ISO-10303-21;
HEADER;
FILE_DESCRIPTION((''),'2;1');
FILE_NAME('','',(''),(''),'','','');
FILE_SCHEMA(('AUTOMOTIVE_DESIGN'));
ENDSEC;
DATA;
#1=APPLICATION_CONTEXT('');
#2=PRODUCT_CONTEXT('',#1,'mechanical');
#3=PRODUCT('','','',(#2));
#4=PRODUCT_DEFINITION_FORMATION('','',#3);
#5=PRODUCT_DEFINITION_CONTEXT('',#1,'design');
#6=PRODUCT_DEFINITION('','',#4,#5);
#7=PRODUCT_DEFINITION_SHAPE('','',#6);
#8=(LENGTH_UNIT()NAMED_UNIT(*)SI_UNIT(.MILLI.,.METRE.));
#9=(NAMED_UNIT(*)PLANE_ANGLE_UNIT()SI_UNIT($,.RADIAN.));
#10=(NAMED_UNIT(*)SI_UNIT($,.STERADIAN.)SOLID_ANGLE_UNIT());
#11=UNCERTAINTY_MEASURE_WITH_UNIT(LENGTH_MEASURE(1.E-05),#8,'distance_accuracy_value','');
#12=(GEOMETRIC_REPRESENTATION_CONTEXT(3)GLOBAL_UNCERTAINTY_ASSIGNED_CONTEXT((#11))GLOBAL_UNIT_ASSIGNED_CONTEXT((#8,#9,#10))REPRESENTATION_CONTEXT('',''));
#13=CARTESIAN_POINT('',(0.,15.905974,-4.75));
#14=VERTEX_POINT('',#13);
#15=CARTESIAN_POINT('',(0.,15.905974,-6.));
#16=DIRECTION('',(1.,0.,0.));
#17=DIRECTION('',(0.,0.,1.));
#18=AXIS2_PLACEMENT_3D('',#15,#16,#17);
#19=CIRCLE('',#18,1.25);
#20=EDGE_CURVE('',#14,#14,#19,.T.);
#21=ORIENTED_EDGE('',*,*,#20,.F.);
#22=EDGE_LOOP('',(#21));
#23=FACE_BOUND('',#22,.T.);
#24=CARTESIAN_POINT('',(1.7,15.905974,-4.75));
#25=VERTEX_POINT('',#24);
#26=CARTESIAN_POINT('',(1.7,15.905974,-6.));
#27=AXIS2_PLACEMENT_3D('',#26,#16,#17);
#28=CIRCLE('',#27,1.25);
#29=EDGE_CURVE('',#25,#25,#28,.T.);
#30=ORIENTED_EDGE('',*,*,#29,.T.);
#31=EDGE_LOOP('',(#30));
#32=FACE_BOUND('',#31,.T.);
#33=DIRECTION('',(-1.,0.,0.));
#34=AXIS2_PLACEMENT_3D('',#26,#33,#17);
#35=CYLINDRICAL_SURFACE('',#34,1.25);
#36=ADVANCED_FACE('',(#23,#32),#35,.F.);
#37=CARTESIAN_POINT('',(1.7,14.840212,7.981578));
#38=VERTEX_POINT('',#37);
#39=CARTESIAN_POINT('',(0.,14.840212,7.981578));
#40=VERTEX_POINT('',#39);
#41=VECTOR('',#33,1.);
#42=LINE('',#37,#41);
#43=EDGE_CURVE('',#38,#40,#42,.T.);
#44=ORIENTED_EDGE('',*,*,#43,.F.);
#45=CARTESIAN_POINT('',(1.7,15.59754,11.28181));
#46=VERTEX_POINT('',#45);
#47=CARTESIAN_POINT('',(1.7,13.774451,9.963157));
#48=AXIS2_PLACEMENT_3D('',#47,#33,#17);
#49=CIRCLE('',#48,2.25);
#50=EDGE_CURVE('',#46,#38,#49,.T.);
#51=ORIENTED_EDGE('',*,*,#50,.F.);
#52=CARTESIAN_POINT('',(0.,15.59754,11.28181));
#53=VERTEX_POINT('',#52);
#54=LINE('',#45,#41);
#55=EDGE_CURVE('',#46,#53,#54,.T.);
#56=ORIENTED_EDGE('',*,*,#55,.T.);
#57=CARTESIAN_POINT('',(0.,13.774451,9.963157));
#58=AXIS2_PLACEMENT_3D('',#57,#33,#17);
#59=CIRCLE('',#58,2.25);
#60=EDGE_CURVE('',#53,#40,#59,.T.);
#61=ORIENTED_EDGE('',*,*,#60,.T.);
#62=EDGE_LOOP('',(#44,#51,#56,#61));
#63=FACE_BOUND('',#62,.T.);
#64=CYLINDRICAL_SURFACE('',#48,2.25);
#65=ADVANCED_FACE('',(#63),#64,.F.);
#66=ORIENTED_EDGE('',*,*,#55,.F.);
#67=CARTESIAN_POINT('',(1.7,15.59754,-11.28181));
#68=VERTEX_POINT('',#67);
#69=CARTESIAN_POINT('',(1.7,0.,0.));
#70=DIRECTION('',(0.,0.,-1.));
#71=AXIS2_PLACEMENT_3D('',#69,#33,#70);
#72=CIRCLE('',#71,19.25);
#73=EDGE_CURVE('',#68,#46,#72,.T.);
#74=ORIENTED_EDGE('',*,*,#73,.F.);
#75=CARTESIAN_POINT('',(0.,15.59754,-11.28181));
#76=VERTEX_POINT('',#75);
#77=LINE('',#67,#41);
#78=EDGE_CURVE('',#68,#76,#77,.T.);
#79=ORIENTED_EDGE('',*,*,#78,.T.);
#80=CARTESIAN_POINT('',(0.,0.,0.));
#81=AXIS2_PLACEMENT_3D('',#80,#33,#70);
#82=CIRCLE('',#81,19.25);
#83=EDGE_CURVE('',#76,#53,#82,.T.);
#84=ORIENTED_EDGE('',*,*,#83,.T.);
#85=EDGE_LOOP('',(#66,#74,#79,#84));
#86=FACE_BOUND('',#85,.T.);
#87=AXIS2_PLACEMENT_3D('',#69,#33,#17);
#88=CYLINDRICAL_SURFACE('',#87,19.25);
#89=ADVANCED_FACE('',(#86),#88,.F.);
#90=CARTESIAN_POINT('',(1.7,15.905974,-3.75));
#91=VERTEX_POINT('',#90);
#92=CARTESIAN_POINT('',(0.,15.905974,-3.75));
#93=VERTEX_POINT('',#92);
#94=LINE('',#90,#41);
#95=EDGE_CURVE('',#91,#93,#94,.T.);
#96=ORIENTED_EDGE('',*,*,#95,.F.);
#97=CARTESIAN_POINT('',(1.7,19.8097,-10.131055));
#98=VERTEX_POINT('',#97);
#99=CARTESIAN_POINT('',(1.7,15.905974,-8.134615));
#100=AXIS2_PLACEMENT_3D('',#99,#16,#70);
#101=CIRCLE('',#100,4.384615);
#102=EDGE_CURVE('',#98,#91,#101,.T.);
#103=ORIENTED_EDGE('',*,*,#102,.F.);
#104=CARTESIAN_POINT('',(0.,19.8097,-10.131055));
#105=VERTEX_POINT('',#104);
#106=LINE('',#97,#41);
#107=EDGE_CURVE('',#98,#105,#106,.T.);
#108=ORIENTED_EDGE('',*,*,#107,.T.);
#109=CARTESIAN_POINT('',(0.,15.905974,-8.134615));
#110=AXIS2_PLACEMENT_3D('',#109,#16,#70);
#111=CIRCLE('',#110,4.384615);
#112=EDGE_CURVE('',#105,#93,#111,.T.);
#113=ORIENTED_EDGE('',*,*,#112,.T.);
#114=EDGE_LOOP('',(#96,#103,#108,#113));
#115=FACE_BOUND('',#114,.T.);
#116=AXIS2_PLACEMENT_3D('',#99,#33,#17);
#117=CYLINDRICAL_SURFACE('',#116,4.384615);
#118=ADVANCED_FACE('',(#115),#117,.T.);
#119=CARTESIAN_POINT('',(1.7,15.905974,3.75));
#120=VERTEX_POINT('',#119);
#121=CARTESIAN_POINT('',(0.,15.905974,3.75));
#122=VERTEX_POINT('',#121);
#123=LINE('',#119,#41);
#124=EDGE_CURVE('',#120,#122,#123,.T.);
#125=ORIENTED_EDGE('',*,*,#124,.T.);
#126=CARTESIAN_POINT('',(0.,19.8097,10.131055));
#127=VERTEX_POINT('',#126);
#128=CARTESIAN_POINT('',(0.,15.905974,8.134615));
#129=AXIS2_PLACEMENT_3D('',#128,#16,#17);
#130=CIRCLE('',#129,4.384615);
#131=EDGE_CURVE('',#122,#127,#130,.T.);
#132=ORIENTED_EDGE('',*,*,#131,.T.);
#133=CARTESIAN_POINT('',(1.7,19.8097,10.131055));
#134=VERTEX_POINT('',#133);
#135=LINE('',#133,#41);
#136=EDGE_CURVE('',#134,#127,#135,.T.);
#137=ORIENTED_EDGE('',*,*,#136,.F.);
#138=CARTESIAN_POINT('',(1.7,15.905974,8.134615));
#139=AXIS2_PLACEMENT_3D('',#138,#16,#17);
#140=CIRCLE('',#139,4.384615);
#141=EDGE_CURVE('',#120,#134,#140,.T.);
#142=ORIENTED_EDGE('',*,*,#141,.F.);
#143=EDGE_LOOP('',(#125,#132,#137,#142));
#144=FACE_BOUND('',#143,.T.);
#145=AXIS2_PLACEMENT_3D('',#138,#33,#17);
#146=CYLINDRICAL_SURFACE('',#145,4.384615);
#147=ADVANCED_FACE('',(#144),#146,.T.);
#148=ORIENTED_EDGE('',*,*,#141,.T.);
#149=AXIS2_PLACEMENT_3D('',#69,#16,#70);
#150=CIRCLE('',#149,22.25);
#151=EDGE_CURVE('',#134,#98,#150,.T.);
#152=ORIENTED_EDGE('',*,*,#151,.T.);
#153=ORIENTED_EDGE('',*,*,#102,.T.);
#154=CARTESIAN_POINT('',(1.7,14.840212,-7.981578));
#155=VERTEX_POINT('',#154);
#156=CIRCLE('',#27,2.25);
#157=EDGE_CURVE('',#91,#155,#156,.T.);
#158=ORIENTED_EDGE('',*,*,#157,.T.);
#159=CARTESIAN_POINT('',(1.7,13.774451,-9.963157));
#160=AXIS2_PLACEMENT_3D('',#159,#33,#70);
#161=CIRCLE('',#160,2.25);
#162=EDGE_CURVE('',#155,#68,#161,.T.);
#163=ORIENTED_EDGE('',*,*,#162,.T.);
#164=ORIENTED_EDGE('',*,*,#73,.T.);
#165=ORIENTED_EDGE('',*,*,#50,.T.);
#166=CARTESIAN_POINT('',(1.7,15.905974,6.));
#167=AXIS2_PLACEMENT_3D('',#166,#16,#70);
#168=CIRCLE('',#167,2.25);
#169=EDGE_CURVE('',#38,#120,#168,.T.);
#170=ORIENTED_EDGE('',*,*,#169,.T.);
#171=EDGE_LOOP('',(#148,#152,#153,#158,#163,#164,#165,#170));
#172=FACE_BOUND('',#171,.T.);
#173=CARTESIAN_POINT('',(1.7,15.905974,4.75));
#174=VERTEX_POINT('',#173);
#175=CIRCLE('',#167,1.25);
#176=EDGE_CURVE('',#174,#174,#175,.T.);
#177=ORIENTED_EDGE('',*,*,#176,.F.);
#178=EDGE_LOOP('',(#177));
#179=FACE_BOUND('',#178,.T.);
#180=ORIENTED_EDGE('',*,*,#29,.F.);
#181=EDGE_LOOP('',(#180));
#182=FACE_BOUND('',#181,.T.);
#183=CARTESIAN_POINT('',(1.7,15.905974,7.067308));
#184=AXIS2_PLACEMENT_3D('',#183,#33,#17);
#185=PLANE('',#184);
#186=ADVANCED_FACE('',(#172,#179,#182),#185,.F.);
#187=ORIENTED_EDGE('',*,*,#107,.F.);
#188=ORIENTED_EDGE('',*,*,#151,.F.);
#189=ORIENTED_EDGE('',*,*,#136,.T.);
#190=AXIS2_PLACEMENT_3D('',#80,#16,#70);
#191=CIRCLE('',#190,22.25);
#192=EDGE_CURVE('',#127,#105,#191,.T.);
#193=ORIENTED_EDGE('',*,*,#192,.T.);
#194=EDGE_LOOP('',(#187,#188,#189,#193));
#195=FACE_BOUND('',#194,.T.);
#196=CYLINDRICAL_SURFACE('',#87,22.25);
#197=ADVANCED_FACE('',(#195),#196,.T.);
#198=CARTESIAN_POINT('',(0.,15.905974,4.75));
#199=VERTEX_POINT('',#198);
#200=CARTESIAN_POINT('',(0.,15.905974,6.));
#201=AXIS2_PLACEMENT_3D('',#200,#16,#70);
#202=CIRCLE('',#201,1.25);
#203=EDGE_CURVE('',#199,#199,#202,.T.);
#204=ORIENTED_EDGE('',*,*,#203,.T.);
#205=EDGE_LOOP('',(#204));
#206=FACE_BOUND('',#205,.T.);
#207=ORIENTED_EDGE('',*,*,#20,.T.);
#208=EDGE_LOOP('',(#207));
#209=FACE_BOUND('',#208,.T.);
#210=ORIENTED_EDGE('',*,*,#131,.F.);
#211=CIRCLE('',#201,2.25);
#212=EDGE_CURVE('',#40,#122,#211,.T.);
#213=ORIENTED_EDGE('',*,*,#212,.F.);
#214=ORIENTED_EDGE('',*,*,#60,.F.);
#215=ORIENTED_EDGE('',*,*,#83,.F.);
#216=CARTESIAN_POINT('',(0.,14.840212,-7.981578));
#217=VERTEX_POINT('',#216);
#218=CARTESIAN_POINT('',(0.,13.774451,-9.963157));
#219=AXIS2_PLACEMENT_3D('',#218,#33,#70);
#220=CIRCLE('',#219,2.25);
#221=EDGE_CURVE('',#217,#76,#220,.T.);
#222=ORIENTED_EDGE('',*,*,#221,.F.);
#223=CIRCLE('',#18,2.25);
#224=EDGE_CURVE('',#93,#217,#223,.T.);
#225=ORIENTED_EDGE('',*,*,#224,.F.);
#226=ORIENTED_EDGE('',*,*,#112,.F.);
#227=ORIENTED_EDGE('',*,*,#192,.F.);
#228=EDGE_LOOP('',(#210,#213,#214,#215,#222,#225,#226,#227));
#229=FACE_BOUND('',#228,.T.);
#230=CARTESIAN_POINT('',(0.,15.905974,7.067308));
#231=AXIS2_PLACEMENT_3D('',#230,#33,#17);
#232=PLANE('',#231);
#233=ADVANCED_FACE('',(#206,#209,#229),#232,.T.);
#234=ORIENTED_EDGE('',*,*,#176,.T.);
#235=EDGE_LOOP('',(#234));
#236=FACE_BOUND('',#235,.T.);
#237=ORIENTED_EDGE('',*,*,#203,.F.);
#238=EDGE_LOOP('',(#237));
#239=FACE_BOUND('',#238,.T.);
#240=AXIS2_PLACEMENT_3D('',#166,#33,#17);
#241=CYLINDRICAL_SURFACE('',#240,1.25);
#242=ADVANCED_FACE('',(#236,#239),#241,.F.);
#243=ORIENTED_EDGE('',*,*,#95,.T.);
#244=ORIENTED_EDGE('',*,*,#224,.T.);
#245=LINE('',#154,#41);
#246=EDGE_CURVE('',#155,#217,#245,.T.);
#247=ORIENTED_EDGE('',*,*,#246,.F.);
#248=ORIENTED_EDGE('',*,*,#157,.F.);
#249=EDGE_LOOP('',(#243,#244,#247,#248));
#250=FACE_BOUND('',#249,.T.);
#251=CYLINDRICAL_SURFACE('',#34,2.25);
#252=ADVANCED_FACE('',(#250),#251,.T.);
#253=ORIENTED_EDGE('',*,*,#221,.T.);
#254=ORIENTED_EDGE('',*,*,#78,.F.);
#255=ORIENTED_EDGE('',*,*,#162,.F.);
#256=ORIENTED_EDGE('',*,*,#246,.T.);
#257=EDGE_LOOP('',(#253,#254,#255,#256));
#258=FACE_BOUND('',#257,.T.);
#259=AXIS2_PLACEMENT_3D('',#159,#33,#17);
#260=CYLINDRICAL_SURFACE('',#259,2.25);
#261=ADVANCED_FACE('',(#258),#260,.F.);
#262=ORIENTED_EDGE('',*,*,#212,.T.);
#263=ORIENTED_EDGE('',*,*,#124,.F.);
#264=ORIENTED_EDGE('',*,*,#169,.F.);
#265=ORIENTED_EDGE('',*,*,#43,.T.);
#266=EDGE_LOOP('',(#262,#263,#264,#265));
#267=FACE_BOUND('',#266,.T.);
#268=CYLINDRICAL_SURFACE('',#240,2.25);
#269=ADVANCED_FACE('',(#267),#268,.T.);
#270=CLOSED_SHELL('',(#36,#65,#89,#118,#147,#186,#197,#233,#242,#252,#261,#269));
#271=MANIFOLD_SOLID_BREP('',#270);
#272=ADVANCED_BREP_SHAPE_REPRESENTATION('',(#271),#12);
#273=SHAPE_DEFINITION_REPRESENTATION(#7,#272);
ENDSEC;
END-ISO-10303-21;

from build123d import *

# Parameters (mm, degrees)
SKETCH_1_R      = 1.25
EXTRUDE_1_DEPTH = 1.7


with BuildPart() as part:
    # Эскиз1 → Бобышка-Вытянуть1 (new body)
    with BuildSketch(Plane(origin=(0, 0, 0), x_dir=(0, 0, -1), z_dir=(1, 0, 0))):
        with BuildLine():
            ThreePointArc((-10.131054898, 19.809700317), (0, -22.25), (10.131054898, 19.809700317))
            ThreePointArc((10.131054898, 19.809700317), (5.846468463, 19.646192396), (3.75, 15.905973721))
            ThreePointArc((3.75, 15.905973721), (5.450478118, 13.724110823), (7.981578402, 14.840212472))
            ThreePointArc((7.981578402, 14.840212472), (9.459913455, 15.96745057), (11.281809909, 15.597540356))
            ThreePointArc((11.281809909, 15.597540356), (0, -19.25), (-11.281809909, 15.597540356))
            ThreePointArc((-11.281809909, 15.597540356), (-9.459913455, 15.96745057), (-7.981578402, 14.840212472))
            ThreePointArc((-7.981578402, 14.840212472), (-5.450478118, 13.724110823), (-3.75, 15.905973721))
            ThreePointArc((-3.75, 15.905973721), (-5.846468463, 19.646192396), (-10.131054898, 19.809700317))
        make_face()
        with Locations((-6, 15.905973721)):
            Circle(SKETCH_1_R, mode=Mode.SUBTRACT)
        with Locations((6, 15.905973721)):
            Circle(SKETCH_1_R, mode=Mode.SUBTRACT)
    extrude(amount=EXTRUDE_1_DEPTH)


solid = part.part
